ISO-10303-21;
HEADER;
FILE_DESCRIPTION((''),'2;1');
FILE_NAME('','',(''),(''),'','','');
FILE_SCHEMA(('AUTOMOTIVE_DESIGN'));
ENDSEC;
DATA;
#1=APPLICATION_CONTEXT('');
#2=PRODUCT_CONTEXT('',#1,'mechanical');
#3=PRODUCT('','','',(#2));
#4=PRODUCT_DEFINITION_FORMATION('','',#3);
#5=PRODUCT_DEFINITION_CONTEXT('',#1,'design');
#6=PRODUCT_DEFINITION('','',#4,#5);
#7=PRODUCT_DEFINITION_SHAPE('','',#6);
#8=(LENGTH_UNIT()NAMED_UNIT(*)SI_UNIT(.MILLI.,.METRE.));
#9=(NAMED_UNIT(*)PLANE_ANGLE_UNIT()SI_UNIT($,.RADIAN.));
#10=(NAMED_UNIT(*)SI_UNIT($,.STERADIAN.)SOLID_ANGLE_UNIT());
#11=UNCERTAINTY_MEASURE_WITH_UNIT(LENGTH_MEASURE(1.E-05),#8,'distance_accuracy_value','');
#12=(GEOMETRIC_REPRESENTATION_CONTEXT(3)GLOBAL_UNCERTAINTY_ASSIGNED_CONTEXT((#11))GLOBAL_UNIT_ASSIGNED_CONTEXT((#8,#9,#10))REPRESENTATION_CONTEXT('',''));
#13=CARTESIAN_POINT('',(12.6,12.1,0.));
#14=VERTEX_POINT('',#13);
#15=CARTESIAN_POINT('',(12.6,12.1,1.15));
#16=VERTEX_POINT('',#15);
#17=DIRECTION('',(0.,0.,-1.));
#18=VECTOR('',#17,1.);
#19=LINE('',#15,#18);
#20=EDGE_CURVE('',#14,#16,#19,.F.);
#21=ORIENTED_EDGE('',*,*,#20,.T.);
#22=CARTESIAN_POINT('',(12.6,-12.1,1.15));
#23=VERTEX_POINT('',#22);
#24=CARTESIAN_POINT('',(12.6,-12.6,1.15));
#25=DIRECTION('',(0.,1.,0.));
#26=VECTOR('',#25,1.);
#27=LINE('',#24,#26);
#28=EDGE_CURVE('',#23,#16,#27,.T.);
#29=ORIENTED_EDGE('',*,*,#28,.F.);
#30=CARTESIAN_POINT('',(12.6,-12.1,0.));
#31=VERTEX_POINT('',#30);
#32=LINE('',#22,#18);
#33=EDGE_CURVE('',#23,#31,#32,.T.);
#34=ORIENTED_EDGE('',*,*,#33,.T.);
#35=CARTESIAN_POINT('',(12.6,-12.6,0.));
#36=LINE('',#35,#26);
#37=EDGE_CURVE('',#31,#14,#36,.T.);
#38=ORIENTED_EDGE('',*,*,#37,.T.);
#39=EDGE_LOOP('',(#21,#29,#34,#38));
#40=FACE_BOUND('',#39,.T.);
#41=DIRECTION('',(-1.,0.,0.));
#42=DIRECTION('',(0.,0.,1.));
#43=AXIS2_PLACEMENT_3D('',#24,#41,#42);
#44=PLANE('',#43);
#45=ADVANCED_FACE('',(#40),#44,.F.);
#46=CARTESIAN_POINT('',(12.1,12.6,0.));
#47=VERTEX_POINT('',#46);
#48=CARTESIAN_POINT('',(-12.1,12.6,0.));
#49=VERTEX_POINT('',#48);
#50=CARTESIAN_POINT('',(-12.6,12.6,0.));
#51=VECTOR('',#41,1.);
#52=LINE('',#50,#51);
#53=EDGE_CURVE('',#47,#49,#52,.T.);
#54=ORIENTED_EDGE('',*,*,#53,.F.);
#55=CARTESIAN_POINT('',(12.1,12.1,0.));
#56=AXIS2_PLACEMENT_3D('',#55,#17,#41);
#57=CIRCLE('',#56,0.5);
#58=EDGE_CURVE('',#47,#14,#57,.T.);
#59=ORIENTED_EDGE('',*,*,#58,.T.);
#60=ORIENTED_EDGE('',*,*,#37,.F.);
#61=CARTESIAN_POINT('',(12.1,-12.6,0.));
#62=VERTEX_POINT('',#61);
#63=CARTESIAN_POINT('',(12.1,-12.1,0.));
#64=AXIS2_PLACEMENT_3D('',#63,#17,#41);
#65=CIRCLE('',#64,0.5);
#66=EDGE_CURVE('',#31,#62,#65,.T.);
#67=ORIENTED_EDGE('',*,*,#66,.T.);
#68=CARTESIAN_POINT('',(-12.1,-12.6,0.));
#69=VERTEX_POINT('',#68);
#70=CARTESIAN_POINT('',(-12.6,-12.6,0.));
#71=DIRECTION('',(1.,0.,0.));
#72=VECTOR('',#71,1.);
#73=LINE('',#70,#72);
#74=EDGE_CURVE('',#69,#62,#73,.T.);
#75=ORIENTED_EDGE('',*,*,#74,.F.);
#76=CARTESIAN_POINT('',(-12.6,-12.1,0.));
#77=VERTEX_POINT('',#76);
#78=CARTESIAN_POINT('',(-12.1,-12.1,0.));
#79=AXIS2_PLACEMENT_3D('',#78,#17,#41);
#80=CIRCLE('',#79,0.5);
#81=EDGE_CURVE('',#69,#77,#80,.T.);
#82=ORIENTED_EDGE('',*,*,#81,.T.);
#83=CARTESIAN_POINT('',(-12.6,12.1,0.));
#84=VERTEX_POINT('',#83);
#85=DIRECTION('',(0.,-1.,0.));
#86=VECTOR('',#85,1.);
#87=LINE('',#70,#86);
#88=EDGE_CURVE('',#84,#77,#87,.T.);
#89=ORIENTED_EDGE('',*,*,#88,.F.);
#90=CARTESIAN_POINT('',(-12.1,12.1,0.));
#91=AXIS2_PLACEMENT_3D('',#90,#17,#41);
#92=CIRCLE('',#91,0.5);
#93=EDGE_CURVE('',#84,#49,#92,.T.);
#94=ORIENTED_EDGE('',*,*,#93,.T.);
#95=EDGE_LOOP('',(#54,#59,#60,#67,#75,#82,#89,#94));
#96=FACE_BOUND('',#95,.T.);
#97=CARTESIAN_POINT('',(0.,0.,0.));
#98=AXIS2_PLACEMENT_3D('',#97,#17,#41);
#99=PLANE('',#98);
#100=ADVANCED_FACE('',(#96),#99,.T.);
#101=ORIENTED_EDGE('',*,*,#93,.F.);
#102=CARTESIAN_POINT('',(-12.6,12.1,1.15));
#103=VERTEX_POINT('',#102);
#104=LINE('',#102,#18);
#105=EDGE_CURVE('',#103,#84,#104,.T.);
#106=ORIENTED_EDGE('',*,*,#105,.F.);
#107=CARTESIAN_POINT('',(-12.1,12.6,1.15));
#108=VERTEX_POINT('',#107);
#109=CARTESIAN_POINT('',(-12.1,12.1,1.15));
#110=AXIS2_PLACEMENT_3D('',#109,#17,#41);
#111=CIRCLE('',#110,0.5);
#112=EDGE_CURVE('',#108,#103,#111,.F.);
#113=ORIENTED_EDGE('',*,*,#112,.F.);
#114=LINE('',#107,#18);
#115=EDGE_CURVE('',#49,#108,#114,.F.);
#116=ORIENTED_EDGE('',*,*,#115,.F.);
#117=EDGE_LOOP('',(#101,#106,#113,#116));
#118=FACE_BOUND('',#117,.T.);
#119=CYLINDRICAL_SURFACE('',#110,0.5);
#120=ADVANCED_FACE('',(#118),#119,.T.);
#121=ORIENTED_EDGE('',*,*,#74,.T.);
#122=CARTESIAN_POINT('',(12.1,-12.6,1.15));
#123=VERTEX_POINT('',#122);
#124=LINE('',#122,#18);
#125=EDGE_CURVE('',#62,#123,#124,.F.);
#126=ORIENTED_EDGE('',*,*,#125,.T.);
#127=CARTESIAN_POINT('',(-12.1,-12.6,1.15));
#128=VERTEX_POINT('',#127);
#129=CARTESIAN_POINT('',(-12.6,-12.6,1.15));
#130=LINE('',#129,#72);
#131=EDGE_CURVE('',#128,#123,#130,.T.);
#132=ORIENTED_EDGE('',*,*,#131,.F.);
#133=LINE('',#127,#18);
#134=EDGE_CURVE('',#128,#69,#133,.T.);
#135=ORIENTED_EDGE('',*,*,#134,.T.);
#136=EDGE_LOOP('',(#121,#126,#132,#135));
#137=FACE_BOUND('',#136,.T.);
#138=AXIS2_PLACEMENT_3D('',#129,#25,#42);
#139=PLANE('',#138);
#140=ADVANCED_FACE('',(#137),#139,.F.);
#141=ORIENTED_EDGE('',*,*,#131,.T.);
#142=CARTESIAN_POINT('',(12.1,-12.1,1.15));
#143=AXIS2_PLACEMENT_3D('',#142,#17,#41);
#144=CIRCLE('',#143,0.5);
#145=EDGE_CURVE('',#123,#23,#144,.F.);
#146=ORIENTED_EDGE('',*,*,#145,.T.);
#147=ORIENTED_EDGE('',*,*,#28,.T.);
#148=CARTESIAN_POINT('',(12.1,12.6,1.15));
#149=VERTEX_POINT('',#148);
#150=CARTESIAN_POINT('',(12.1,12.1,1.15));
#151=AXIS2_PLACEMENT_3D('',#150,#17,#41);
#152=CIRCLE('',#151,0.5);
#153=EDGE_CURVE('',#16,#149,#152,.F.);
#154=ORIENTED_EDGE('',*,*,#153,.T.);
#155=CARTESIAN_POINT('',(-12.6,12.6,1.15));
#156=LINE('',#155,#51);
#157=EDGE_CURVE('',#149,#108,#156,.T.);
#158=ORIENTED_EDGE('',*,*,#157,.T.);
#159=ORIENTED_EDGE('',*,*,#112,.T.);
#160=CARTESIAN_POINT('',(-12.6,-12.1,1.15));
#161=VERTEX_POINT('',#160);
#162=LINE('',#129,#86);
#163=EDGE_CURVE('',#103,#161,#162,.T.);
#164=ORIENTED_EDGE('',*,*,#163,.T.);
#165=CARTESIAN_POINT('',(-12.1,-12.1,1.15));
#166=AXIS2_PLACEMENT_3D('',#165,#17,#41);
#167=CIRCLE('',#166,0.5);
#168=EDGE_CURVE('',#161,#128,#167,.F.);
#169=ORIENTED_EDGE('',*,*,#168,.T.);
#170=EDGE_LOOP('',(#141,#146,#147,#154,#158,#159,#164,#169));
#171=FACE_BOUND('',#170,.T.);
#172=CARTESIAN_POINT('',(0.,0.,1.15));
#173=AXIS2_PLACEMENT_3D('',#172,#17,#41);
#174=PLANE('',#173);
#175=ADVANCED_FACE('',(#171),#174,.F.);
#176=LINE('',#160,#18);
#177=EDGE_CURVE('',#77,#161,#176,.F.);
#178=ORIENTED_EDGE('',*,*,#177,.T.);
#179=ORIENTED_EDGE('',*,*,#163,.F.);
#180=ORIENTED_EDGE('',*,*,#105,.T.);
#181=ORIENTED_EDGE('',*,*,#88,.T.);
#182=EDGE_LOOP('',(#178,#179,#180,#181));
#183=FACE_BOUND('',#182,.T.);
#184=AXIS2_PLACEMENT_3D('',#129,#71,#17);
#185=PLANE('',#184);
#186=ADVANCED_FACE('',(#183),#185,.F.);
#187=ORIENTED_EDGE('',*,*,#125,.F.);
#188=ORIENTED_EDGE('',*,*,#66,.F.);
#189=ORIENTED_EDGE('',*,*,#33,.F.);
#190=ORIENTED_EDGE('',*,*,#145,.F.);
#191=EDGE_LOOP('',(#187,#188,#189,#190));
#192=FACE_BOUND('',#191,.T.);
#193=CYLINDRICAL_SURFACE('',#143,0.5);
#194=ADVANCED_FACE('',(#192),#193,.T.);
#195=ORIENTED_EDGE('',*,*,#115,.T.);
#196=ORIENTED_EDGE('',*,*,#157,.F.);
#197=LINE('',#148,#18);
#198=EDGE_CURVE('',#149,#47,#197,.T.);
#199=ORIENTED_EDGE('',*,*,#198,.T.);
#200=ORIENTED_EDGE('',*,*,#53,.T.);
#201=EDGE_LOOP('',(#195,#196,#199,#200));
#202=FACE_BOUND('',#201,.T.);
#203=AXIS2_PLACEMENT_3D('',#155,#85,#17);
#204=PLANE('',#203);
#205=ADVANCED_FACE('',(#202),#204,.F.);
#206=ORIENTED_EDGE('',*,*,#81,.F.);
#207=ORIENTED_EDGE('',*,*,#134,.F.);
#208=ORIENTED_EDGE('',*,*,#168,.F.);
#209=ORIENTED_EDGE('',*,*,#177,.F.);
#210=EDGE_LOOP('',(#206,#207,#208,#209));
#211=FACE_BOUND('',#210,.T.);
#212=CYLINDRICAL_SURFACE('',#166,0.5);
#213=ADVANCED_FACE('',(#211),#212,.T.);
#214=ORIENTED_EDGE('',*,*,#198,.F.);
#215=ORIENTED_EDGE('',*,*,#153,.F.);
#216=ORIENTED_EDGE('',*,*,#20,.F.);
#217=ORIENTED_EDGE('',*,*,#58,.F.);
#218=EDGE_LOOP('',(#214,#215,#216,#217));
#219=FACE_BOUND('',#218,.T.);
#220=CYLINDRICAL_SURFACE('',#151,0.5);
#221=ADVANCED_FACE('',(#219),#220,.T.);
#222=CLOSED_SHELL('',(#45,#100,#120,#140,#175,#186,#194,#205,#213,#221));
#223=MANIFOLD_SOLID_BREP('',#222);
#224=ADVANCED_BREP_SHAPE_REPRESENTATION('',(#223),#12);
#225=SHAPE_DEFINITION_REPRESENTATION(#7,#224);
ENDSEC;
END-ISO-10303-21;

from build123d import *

# Parameters (mm, degrees)
SKETCH_1_W      = 25.2
SKETCH_1_H      = 25.2
EXTRUDE_1_DEPTH = 1.15
FILLET_1_R      = 0.5


with BuildPart() as part:
    # Эскиз1 → Бобышка-Вытянуть1 (new body)
    with BuildSketch(Plane.XY):
        Rectangle(SKETCH_1_W, SKETCH_1_H)
    extrude(amount=EXTRUDE_1_DEPTH)

    # Скругление1
    fillet_1_edges = [part.edges().sort_by_distance(p)[0] for p in [
        (12.6, -12.6, 0.575),
        (-12.6, -12.6, 0.575),
        (-12.6, 12.6, 0.575),
        (12.6, 12.6, 0.575),
    ]]
    fillet(fillet_1_edges, radius=FILLET_1_R)


solid = part.part
